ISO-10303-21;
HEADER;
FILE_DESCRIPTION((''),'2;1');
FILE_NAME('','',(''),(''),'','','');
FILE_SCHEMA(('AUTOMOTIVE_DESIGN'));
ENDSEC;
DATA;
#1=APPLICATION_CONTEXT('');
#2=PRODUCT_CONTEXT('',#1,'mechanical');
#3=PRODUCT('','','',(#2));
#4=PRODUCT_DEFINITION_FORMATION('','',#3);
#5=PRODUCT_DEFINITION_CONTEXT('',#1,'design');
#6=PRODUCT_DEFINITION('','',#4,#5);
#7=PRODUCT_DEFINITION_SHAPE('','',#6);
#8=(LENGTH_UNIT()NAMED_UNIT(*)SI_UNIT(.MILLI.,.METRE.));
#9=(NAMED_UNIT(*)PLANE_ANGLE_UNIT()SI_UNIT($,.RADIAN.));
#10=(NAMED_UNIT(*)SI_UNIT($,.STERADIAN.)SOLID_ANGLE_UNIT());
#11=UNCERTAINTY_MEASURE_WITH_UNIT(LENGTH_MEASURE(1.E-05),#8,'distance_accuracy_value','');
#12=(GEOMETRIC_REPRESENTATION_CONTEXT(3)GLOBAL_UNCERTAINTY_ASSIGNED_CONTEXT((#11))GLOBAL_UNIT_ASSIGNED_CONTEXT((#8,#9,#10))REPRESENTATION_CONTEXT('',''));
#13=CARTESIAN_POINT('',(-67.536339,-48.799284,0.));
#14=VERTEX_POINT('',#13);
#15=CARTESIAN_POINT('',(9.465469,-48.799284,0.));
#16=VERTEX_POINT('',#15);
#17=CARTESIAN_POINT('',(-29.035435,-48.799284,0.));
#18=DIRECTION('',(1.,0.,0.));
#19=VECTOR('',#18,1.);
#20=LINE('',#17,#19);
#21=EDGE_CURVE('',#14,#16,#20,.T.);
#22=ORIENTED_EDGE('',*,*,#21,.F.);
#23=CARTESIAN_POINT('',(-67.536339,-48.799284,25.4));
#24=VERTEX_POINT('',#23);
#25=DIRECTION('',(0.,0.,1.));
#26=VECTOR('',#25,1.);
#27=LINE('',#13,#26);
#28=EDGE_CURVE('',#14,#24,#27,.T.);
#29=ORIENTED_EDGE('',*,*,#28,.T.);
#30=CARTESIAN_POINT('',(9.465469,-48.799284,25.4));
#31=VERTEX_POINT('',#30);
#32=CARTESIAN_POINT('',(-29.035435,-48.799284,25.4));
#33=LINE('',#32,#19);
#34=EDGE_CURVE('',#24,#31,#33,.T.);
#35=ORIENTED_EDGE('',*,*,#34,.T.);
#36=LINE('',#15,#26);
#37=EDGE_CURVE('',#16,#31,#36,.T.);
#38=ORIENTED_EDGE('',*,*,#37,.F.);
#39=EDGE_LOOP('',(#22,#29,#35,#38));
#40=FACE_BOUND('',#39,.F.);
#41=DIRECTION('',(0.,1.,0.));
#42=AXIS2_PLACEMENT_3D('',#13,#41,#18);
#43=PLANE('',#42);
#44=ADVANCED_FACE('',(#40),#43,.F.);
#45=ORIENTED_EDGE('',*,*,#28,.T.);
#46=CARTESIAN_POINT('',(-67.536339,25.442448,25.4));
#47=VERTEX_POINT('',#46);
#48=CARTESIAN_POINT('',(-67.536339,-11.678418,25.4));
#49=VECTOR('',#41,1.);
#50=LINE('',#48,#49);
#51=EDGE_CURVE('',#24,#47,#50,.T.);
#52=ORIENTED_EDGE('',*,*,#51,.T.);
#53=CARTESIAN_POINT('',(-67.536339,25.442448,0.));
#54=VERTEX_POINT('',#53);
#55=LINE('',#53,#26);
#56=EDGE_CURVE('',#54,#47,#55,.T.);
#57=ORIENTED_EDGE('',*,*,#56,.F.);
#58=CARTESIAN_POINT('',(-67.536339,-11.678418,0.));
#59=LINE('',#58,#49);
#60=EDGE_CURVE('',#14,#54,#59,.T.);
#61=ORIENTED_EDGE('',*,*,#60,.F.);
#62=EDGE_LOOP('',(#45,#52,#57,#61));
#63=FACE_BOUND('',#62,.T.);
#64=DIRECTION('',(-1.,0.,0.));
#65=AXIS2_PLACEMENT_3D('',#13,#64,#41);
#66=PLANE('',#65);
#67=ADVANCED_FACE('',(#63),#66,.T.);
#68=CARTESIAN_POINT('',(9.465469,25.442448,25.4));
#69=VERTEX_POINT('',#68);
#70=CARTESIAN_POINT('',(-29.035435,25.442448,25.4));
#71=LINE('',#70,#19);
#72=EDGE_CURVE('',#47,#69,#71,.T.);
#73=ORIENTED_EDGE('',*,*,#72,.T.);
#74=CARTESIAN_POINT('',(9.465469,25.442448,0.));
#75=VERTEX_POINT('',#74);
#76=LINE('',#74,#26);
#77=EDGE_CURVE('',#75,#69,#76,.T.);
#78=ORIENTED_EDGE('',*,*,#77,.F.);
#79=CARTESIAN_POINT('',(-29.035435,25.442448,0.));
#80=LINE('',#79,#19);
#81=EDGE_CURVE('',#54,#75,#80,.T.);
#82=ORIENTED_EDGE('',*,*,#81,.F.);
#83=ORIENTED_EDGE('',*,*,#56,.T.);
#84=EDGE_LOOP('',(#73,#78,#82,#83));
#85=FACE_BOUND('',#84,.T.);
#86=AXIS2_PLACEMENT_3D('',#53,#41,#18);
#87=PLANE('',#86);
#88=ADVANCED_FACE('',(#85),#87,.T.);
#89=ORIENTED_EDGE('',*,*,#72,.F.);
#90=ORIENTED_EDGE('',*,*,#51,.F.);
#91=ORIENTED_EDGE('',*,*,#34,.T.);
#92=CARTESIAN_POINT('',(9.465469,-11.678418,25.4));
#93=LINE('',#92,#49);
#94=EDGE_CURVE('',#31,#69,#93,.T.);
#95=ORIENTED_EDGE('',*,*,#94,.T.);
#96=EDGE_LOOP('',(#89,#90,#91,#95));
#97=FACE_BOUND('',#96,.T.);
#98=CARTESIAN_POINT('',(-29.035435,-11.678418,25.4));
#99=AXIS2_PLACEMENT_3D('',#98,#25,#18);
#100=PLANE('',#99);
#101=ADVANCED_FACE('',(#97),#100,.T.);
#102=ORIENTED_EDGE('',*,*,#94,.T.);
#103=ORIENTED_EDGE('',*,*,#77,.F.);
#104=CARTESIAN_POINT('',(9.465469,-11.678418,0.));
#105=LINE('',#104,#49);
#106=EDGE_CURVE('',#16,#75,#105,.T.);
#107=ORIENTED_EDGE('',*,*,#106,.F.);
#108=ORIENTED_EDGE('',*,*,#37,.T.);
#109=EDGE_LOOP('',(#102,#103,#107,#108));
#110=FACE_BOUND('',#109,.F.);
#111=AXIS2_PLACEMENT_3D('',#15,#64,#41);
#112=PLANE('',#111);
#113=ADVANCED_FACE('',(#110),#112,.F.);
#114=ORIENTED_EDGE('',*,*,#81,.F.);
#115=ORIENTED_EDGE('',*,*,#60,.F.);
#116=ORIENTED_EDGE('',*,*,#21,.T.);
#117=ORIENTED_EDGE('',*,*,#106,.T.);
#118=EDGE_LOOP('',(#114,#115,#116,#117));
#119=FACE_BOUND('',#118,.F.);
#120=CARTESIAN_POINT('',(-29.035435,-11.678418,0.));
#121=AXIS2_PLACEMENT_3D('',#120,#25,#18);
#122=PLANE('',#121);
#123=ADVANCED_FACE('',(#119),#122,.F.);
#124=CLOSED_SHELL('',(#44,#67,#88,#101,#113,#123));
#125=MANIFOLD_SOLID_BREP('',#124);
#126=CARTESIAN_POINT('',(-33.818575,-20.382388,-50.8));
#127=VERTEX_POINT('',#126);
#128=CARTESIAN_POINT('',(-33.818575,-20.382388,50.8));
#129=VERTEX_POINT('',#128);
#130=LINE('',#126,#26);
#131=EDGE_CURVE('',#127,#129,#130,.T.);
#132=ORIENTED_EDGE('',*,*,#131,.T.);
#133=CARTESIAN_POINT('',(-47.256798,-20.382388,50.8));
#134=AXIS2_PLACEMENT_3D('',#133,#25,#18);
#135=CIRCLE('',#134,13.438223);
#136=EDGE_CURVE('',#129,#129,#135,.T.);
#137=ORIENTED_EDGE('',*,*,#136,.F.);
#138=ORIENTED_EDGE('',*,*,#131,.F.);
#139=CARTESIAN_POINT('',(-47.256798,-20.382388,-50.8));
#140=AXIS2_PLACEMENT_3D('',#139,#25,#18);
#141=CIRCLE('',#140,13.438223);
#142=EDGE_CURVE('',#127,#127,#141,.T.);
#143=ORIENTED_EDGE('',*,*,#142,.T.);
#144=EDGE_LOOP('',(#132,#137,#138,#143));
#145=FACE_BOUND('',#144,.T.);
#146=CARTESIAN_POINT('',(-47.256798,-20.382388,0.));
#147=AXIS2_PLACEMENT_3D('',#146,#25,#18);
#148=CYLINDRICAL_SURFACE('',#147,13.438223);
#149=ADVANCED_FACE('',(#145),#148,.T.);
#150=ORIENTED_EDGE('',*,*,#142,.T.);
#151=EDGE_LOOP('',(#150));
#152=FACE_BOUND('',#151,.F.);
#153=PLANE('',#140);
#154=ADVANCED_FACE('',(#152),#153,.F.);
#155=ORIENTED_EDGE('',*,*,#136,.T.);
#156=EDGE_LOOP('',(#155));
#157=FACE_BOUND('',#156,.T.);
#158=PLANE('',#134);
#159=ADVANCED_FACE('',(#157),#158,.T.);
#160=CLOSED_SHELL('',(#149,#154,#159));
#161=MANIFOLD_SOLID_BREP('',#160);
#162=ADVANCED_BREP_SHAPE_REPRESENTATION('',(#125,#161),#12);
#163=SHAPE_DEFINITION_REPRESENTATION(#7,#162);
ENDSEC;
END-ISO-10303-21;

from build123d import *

# Parameters (mm, degrees)
F0_W          = 77.001809
F0_H          = 74.241732
F2_DEPTH      = 25.4
F1_R          = 13.438223
F3_DEPTH      = 50.8
F3_DEPTH_BACK = 50.8


with BuildPart() as f2:
    # F0 (on Top) → F2 (new body)
    with BuildSketch(Plane.XY):
        with Locations((-29.035435, -11.678418)):
            Rectangle(F0_W, F0_H)
    extrude(amount=F2_DEPTH)


with BuildPart() as f3:
    # F1 (on Top) → F3 (new body, two sides)
    with BuildSketch(Plane.XY) as f3_sk:
        with Locations((-47.256798, -20.382388)):
            Circle(F1_R)
    extrude(amount=F3_DEPTH)
    extrude(f3_sk.sketch, amount=-F3_DEPTH_BACK)


solid = Compound([f2.part, f3.part])
